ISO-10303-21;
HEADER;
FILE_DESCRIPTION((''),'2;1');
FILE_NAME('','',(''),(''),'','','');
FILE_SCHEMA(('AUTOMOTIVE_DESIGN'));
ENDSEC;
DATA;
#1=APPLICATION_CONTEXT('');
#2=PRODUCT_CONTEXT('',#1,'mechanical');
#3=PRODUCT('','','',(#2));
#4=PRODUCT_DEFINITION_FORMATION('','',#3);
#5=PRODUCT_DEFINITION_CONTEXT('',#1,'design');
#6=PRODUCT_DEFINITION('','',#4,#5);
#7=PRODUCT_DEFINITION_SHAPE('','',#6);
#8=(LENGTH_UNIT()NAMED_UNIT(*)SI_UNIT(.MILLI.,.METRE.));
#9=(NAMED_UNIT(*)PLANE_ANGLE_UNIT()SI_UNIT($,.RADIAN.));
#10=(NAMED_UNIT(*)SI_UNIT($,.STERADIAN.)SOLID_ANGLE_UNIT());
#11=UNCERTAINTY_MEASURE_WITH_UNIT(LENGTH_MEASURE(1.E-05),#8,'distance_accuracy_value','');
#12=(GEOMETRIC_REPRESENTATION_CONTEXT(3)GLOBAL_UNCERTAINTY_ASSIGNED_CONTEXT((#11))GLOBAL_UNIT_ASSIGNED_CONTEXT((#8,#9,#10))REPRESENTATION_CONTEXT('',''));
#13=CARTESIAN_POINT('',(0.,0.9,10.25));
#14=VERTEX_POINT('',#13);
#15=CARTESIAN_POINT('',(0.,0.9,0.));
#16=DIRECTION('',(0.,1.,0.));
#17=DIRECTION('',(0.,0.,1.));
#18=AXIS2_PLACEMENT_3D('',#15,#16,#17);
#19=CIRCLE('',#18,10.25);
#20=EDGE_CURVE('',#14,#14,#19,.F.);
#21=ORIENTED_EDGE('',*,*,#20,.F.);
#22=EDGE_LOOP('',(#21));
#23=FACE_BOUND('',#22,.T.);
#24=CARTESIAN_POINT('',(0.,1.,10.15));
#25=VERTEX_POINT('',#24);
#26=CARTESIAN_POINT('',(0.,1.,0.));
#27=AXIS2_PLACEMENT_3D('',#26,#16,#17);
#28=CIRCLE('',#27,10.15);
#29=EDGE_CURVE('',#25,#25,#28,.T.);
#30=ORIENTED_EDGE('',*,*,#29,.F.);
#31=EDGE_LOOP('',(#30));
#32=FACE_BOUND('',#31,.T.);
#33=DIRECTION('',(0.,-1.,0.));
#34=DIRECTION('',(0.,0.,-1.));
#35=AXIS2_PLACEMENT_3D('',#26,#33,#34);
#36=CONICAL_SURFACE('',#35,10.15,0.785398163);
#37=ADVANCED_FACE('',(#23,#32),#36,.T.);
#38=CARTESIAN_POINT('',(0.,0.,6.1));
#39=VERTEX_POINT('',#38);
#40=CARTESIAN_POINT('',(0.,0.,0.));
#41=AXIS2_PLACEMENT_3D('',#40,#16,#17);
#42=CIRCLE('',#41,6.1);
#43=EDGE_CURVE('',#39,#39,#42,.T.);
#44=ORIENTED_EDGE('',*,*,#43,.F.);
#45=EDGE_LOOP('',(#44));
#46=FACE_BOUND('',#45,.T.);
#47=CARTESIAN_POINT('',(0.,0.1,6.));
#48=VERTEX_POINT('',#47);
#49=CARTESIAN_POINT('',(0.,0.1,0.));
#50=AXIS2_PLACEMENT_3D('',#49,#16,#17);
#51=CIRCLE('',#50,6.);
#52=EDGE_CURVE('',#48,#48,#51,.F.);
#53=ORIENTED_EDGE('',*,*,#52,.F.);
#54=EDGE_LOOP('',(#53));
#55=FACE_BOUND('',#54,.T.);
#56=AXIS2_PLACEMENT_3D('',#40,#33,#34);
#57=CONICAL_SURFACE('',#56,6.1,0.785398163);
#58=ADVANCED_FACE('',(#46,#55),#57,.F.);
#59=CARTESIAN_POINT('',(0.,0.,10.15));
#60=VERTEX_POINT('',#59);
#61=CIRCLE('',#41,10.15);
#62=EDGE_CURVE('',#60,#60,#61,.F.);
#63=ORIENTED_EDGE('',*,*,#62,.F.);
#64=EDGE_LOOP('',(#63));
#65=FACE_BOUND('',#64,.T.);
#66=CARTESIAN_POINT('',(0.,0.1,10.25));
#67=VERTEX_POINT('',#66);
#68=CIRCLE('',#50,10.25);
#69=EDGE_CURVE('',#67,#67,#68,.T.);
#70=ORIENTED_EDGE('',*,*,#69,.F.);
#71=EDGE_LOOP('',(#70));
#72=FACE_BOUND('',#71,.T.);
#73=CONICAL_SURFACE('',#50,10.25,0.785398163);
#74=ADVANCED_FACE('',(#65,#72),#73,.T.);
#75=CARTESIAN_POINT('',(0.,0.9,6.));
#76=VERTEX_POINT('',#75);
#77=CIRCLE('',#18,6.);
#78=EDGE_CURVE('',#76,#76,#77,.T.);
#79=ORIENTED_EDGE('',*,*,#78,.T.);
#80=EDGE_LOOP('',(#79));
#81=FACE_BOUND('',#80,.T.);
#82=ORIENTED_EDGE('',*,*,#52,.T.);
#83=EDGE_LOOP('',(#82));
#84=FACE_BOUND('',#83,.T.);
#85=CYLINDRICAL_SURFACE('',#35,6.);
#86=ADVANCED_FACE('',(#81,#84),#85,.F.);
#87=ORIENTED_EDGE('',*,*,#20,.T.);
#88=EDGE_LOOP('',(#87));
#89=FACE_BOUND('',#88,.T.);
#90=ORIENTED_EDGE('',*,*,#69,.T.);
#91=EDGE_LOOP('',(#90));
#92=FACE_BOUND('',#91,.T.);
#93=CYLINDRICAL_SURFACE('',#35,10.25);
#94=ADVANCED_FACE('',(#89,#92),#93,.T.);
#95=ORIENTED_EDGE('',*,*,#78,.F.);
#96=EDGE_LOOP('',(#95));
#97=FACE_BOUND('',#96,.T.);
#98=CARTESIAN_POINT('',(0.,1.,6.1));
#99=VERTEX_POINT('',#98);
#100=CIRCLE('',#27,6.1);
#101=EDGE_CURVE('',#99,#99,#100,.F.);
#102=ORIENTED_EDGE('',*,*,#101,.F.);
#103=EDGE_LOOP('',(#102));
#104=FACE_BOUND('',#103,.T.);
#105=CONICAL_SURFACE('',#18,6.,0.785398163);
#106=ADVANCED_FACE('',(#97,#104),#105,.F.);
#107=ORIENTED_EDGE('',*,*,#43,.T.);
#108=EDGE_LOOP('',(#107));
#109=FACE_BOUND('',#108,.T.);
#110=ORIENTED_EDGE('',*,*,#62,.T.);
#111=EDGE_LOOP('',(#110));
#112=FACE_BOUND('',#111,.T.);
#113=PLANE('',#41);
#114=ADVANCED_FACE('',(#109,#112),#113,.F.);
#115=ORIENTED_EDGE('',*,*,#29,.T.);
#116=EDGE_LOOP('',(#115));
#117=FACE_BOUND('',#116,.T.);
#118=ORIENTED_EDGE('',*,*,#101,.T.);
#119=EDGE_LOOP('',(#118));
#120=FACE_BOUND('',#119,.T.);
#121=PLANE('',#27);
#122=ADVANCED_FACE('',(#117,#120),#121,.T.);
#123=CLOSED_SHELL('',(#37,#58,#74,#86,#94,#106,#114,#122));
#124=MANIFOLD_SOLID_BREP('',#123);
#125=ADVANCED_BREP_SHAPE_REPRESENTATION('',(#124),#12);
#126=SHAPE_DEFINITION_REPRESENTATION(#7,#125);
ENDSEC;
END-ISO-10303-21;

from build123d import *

# Parameters (mm, degrees)
PROFILES_R    = 10.25
PROFILES_R_2  = 6
PROFILE_DEPTH = 1
OUTERC_SIZE   = 0.1
INNERC_SIZE   = 0.1


with BuildPart() as part:
    # ProfileS → Profile (new body)
    with BuildSketch(Plane(origin=(0, 0, 0), x_dir=(1, 0, 0), z_dir=(0, 1, 0))):
        with Locations(Location((0, 0, 0), (0, 0, 270))):
            Circle(PROFILES_R)
        with Locations(Location((0, 0, 0), (0, 0, 270))):
            Circle(PROFILES_R_2, mode=Mode.SUBTRACT)
    extrude(amount=PROFILE_DEPTH)

    # OuterC
    outerc_edges = [part.edges().sort_by_distance(p)[0] for p in [
        (0, 0, -10.25),
        (0, 1, -10.25),
    ]]
    chamfer(outerc_edges, length=OUTERC_SIZE)

    # InnerC
    innerc_edges = [part.edges().sort_by_distance(p)[0] for p in [
        (0, 0, -6),
        (0, 1, -6),
    ]]
    chamfer(innerc_edges, length=INNERC_SIZE)


solid = part.part
